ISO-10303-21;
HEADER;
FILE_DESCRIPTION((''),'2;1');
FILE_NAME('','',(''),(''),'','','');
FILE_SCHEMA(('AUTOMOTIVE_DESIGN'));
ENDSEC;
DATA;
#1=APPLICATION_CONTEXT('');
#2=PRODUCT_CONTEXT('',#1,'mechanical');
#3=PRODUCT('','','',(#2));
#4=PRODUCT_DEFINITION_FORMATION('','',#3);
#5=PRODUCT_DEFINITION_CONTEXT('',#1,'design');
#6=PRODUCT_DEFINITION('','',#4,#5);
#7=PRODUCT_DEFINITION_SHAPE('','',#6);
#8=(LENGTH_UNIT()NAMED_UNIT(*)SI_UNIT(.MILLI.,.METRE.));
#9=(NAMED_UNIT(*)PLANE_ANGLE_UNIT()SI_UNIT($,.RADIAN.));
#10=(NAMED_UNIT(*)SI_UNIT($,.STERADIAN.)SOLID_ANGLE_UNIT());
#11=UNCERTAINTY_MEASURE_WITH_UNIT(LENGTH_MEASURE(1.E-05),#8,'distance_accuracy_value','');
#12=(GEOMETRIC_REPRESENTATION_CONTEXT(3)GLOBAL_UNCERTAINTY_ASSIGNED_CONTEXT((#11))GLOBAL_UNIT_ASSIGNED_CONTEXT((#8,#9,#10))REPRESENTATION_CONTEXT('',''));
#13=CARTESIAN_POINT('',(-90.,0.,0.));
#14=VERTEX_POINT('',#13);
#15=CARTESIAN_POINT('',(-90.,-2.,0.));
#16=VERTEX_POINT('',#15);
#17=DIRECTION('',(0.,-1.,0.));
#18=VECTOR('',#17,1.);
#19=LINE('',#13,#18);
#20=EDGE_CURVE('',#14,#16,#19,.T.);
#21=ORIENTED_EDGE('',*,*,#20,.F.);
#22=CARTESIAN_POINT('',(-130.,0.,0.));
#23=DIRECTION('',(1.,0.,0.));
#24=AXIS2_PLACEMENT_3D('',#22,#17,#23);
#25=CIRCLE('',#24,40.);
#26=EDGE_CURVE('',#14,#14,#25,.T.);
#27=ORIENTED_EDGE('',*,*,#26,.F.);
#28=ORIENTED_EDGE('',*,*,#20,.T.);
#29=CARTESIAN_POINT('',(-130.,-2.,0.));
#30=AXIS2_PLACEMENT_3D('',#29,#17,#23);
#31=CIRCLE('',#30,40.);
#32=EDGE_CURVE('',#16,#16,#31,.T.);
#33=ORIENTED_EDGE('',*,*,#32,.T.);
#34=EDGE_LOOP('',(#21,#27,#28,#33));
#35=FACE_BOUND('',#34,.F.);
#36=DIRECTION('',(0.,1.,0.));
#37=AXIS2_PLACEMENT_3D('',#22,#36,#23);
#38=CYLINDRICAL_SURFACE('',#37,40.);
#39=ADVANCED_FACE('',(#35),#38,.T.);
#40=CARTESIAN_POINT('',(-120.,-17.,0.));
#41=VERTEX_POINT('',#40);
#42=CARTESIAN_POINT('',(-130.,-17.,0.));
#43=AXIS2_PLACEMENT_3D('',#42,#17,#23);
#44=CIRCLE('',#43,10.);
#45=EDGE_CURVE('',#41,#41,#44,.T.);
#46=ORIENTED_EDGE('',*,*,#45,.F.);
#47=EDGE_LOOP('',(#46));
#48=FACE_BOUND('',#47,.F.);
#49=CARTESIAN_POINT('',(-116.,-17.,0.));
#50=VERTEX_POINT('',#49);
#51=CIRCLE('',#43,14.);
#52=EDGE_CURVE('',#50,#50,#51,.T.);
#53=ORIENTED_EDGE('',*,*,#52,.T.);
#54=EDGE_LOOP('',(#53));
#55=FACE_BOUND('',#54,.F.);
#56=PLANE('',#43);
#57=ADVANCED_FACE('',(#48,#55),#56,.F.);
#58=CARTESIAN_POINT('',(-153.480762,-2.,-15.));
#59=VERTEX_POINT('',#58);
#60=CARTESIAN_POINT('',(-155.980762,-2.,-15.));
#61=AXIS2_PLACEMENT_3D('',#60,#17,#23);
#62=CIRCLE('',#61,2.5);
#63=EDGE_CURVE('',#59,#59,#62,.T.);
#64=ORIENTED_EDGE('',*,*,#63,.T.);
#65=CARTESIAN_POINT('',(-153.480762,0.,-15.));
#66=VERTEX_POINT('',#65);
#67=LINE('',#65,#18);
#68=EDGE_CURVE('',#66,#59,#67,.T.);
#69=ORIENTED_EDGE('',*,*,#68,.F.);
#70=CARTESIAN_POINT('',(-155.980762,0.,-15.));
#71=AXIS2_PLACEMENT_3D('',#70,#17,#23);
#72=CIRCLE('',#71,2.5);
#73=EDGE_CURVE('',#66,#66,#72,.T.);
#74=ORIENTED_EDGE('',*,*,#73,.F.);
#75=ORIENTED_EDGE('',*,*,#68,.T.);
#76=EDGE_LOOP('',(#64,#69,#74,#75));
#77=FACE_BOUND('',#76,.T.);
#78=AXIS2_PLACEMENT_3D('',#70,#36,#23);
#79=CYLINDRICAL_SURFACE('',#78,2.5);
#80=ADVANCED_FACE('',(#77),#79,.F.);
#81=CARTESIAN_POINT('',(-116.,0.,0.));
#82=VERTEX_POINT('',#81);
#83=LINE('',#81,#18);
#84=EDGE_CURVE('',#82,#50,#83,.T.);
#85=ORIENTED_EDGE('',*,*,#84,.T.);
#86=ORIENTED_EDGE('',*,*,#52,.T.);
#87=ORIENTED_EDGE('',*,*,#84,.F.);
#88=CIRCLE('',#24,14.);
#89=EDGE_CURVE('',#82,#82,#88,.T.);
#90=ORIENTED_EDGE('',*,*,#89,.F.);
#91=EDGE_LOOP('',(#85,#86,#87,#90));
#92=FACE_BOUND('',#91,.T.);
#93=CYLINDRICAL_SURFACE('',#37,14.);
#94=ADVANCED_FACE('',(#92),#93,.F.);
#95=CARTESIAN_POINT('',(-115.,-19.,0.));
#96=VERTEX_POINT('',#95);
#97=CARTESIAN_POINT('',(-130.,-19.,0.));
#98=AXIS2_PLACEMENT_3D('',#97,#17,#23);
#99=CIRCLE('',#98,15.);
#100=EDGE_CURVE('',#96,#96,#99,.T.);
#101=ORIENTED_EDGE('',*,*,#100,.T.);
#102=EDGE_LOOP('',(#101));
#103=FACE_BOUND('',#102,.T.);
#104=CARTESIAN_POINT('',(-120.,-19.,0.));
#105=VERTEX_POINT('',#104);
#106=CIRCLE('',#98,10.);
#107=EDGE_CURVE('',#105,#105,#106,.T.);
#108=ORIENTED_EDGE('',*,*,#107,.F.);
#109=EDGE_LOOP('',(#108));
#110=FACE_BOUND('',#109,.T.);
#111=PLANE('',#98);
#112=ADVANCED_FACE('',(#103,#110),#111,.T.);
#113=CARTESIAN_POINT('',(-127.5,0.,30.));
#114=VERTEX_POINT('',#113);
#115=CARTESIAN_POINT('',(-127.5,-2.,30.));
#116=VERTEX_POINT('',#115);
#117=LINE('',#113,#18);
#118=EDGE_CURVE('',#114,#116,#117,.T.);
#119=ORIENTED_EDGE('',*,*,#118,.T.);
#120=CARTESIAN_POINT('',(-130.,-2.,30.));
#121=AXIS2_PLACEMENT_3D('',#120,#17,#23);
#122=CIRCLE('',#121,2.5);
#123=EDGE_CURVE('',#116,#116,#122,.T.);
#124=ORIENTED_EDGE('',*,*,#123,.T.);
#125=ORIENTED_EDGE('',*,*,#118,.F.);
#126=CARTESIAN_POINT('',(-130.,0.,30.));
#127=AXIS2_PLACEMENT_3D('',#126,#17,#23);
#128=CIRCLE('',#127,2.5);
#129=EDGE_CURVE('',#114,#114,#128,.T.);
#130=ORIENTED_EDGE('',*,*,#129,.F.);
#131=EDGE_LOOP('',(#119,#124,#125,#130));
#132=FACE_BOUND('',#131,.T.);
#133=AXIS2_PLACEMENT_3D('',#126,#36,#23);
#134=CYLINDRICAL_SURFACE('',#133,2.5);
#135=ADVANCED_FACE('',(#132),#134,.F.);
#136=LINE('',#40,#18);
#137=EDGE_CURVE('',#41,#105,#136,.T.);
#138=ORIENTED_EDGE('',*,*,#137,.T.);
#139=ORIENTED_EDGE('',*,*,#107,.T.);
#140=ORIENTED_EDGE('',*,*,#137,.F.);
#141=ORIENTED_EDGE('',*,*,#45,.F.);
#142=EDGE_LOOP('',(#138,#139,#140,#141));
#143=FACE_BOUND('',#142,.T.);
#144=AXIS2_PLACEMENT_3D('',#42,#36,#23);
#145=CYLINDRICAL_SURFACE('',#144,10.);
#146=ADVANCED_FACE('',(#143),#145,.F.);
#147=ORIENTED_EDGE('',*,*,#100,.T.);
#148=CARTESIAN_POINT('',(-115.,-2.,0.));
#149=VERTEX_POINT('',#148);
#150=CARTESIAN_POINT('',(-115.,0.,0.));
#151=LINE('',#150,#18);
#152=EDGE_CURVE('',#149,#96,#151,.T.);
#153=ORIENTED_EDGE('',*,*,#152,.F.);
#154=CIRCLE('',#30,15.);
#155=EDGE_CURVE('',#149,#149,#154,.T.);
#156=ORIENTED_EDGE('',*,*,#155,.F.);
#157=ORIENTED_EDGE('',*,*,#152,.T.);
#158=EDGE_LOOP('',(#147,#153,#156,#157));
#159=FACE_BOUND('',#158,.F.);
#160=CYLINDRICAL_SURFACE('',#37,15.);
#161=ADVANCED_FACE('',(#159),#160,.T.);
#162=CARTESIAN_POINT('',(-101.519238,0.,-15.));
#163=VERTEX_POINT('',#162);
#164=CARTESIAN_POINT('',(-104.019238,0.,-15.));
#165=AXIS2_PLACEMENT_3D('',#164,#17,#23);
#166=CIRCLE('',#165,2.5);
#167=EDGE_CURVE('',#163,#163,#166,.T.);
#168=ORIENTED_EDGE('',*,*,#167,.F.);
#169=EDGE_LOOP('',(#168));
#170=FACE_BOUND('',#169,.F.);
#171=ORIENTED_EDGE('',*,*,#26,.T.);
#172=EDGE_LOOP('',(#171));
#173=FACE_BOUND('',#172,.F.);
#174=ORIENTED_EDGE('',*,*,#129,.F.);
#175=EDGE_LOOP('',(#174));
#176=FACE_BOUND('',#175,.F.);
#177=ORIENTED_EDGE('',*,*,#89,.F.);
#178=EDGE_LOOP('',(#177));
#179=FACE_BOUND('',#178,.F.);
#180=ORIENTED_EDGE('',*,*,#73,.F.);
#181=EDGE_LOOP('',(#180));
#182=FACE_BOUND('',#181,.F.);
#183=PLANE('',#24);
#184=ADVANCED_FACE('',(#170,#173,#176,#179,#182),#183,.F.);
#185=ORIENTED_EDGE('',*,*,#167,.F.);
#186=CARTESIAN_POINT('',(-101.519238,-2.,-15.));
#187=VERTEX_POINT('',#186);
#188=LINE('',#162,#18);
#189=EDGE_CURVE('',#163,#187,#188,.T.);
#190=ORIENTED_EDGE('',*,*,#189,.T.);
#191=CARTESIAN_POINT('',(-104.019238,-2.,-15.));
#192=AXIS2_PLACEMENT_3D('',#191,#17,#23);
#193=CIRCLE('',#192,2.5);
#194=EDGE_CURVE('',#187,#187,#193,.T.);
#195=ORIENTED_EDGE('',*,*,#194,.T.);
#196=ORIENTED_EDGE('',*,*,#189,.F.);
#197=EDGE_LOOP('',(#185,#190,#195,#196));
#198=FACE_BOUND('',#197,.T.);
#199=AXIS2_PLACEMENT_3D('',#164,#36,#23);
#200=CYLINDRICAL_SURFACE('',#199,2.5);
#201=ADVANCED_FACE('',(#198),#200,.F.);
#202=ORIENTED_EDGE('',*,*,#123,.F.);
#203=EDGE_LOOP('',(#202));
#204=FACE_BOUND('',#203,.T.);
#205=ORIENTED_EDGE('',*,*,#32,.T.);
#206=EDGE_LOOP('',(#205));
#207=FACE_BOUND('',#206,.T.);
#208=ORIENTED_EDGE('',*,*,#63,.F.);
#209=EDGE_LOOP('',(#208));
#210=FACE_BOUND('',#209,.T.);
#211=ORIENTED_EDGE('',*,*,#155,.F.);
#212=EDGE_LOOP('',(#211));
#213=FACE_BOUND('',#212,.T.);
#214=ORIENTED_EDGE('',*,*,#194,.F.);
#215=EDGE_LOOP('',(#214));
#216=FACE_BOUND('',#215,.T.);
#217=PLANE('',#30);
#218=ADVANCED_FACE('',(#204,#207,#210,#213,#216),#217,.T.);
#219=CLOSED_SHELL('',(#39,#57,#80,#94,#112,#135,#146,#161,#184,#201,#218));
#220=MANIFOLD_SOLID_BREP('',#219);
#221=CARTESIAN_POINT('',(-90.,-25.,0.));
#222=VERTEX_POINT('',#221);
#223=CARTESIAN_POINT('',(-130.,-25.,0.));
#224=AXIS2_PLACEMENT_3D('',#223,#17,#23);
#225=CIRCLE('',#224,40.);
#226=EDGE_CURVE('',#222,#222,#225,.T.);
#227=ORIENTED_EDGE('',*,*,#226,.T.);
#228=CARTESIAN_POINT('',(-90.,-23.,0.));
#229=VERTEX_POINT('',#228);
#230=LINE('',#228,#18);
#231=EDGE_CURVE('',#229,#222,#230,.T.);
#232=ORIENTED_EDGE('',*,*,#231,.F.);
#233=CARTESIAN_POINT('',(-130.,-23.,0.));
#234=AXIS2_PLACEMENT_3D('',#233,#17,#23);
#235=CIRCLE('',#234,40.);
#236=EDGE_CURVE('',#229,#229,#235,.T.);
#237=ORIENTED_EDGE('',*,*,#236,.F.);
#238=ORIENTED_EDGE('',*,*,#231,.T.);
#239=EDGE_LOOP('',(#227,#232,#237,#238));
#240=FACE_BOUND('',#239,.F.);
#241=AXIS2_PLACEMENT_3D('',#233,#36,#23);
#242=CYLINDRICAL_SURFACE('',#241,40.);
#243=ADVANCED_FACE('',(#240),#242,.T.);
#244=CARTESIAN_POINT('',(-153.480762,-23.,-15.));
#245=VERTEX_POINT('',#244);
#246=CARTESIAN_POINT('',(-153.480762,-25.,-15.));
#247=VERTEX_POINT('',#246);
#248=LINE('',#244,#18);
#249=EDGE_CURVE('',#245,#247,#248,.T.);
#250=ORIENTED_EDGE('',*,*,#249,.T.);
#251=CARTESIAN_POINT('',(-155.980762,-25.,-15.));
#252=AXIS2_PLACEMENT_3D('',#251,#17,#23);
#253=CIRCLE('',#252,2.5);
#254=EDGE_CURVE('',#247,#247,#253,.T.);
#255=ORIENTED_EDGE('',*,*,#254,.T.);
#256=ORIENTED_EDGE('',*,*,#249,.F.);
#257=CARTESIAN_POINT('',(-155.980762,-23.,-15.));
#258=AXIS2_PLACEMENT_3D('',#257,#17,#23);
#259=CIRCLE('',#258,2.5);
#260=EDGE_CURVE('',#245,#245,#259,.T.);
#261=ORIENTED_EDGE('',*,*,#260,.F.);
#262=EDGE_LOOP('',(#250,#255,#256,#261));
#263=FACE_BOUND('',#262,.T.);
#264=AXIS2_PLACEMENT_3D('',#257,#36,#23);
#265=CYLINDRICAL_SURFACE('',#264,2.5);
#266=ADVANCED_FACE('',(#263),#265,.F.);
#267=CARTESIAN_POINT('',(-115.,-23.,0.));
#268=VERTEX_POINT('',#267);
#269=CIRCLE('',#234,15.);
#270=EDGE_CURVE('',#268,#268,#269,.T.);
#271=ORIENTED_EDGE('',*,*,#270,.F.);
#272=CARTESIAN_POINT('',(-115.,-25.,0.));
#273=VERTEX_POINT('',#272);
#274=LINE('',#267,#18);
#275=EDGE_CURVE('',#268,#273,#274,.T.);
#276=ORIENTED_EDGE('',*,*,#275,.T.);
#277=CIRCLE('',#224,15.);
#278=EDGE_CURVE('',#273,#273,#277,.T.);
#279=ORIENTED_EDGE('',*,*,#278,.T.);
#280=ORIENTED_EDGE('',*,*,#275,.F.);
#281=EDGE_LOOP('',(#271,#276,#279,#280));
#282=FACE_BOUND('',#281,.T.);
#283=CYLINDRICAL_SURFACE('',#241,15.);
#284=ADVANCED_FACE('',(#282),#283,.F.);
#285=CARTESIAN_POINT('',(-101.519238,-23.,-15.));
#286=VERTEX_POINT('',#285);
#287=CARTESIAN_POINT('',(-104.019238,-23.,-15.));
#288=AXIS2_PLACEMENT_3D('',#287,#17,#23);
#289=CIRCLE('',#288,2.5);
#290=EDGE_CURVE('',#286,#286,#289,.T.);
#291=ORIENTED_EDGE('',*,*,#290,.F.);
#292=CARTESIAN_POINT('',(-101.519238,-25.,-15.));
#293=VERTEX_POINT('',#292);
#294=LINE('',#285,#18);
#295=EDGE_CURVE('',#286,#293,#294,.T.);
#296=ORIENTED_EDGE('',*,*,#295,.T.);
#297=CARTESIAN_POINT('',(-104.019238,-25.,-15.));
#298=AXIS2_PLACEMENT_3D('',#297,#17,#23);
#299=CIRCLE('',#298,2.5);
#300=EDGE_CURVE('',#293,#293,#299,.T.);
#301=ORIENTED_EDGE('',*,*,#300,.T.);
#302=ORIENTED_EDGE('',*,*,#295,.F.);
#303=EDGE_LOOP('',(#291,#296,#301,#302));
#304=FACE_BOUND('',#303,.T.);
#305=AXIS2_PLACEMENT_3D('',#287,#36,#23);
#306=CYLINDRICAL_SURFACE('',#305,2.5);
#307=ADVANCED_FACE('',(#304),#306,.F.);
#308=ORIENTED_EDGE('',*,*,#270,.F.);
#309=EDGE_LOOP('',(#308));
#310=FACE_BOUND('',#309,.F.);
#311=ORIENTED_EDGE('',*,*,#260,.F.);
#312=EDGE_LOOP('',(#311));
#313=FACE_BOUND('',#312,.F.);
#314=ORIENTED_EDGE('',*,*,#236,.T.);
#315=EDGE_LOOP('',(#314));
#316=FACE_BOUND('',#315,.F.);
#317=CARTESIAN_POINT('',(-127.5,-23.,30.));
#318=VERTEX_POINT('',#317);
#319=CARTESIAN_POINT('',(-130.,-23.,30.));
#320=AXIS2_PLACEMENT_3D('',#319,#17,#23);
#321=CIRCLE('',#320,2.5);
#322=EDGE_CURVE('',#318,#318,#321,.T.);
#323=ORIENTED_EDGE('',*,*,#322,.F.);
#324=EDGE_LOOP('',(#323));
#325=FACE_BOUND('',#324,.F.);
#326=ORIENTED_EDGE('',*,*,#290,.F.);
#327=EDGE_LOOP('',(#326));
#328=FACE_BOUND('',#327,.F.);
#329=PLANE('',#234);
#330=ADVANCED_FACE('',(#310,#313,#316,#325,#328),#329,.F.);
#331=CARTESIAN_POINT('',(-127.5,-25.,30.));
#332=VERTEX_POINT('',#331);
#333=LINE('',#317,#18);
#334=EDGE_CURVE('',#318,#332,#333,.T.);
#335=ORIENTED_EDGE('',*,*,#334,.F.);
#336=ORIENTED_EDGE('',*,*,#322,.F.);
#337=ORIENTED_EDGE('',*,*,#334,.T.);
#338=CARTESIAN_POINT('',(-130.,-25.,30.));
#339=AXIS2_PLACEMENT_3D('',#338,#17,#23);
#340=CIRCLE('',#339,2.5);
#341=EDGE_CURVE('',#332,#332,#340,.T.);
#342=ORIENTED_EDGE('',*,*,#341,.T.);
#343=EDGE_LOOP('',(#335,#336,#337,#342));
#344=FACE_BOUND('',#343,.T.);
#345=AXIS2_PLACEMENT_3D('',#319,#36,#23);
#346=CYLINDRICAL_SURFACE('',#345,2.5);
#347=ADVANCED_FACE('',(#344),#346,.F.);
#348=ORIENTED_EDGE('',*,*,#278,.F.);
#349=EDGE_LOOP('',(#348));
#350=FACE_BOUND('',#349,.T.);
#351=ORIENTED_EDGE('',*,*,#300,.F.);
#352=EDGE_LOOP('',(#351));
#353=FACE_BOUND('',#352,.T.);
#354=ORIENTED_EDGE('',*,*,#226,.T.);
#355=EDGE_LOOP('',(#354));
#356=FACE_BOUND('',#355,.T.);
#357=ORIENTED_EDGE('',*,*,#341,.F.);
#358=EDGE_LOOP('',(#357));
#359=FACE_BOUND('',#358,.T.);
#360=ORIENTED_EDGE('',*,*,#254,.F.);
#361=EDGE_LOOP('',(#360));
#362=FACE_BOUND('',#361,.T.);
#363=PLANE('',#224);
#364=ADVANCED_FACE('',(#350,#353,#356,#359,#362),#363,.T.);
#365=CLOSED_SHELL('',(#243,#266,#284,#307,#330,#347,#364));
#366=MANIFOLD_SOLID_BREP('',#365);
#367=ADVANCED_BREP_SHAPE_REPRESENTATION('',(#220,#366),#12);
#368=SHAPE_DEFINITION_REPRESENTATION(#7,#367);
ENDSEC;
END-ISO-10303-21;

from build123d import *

# Parameters (mm, degrees)
F0_R     = 40
F0_R_2   = 2.5
F0_R_3   = 15
F1_DEPTH = 2
F0_R_4   = 14
F2_DEPTH = 19
F3_START = 17
F0_R_5   = 10
F3_DEPTH = 2
F4_START = 23
F4_DEPTH = 2


with BuildPart() as f1:
    # F0 (on Front) → F1 (new body)
    with BuildSketch(Plane.XZ):
        with Locations((-130, 0)):
            Circle(F0_R)
        with Locations((-155.9807621135, -15)):
            Circle(F0_R_2, mode=Mode.SUBTRACT)
        with Locations((-104.0192378865, -15)):
            Circle(F0_R_2, mode=Mode.SUBTRACT)
        with Locations((-130, 0)):
            Circle(F0_R_3, mode=Mode.SUBTRACT)
        with Locations((-130, 30)):
            Circle(F0_R_2, mode=Mode.SUBTRACT)
    extrude(amount=F1_DEPTH)

    # F0 (on Front) → F2 (join)
    with BuildSketch(Plane.XZ):
        with Locations((-130, 0)):
            Circle(F0_R_3)
        with Locations((-130, 0)):
            Circle(F0_R_4, mode=Mode.SUBTRACT)
    extrude(amount=F2_DEPTH)

    # F0 (on Front) → F3 (join)
    with BuildSketch(Plane.XZ.offset(F3_START)):
        with Locations((-130, 0)):
            Circle(F0_R_4)
        with Locations((-130, 0)):
            Circle(F0_R_5, mode=Mode.SUBTRACT)
    extrude(amount=F3_DEPTH)


with BuildPart() as f4:
    # F0 (on Front) → F4 (new body)
    with BuildSketch(Plane.XZ.offset(F4_START)):
        with Locations((-130, 0)):
            Circle(F0_R)
        with Locations((-155.9807621135, -15)):
            Circle(F0_R_2, mode=Mode.SUBTRACT)
        with Locations((-104.0192378865, -15)):
            Circle(F0_R_2, mode=Mode.SUBTRACT)
        with Locations((-130, 0)):
            Circle(F0_R_3, mode=Mode.SUBTRACT)
        with Locations((-130, 30)):
            Circle(F0_R_2, mode=Mode.SUBTRACT)
    extrude(amount=F4_DEPTH)


solid = Compound([f1.part, f4.part])
